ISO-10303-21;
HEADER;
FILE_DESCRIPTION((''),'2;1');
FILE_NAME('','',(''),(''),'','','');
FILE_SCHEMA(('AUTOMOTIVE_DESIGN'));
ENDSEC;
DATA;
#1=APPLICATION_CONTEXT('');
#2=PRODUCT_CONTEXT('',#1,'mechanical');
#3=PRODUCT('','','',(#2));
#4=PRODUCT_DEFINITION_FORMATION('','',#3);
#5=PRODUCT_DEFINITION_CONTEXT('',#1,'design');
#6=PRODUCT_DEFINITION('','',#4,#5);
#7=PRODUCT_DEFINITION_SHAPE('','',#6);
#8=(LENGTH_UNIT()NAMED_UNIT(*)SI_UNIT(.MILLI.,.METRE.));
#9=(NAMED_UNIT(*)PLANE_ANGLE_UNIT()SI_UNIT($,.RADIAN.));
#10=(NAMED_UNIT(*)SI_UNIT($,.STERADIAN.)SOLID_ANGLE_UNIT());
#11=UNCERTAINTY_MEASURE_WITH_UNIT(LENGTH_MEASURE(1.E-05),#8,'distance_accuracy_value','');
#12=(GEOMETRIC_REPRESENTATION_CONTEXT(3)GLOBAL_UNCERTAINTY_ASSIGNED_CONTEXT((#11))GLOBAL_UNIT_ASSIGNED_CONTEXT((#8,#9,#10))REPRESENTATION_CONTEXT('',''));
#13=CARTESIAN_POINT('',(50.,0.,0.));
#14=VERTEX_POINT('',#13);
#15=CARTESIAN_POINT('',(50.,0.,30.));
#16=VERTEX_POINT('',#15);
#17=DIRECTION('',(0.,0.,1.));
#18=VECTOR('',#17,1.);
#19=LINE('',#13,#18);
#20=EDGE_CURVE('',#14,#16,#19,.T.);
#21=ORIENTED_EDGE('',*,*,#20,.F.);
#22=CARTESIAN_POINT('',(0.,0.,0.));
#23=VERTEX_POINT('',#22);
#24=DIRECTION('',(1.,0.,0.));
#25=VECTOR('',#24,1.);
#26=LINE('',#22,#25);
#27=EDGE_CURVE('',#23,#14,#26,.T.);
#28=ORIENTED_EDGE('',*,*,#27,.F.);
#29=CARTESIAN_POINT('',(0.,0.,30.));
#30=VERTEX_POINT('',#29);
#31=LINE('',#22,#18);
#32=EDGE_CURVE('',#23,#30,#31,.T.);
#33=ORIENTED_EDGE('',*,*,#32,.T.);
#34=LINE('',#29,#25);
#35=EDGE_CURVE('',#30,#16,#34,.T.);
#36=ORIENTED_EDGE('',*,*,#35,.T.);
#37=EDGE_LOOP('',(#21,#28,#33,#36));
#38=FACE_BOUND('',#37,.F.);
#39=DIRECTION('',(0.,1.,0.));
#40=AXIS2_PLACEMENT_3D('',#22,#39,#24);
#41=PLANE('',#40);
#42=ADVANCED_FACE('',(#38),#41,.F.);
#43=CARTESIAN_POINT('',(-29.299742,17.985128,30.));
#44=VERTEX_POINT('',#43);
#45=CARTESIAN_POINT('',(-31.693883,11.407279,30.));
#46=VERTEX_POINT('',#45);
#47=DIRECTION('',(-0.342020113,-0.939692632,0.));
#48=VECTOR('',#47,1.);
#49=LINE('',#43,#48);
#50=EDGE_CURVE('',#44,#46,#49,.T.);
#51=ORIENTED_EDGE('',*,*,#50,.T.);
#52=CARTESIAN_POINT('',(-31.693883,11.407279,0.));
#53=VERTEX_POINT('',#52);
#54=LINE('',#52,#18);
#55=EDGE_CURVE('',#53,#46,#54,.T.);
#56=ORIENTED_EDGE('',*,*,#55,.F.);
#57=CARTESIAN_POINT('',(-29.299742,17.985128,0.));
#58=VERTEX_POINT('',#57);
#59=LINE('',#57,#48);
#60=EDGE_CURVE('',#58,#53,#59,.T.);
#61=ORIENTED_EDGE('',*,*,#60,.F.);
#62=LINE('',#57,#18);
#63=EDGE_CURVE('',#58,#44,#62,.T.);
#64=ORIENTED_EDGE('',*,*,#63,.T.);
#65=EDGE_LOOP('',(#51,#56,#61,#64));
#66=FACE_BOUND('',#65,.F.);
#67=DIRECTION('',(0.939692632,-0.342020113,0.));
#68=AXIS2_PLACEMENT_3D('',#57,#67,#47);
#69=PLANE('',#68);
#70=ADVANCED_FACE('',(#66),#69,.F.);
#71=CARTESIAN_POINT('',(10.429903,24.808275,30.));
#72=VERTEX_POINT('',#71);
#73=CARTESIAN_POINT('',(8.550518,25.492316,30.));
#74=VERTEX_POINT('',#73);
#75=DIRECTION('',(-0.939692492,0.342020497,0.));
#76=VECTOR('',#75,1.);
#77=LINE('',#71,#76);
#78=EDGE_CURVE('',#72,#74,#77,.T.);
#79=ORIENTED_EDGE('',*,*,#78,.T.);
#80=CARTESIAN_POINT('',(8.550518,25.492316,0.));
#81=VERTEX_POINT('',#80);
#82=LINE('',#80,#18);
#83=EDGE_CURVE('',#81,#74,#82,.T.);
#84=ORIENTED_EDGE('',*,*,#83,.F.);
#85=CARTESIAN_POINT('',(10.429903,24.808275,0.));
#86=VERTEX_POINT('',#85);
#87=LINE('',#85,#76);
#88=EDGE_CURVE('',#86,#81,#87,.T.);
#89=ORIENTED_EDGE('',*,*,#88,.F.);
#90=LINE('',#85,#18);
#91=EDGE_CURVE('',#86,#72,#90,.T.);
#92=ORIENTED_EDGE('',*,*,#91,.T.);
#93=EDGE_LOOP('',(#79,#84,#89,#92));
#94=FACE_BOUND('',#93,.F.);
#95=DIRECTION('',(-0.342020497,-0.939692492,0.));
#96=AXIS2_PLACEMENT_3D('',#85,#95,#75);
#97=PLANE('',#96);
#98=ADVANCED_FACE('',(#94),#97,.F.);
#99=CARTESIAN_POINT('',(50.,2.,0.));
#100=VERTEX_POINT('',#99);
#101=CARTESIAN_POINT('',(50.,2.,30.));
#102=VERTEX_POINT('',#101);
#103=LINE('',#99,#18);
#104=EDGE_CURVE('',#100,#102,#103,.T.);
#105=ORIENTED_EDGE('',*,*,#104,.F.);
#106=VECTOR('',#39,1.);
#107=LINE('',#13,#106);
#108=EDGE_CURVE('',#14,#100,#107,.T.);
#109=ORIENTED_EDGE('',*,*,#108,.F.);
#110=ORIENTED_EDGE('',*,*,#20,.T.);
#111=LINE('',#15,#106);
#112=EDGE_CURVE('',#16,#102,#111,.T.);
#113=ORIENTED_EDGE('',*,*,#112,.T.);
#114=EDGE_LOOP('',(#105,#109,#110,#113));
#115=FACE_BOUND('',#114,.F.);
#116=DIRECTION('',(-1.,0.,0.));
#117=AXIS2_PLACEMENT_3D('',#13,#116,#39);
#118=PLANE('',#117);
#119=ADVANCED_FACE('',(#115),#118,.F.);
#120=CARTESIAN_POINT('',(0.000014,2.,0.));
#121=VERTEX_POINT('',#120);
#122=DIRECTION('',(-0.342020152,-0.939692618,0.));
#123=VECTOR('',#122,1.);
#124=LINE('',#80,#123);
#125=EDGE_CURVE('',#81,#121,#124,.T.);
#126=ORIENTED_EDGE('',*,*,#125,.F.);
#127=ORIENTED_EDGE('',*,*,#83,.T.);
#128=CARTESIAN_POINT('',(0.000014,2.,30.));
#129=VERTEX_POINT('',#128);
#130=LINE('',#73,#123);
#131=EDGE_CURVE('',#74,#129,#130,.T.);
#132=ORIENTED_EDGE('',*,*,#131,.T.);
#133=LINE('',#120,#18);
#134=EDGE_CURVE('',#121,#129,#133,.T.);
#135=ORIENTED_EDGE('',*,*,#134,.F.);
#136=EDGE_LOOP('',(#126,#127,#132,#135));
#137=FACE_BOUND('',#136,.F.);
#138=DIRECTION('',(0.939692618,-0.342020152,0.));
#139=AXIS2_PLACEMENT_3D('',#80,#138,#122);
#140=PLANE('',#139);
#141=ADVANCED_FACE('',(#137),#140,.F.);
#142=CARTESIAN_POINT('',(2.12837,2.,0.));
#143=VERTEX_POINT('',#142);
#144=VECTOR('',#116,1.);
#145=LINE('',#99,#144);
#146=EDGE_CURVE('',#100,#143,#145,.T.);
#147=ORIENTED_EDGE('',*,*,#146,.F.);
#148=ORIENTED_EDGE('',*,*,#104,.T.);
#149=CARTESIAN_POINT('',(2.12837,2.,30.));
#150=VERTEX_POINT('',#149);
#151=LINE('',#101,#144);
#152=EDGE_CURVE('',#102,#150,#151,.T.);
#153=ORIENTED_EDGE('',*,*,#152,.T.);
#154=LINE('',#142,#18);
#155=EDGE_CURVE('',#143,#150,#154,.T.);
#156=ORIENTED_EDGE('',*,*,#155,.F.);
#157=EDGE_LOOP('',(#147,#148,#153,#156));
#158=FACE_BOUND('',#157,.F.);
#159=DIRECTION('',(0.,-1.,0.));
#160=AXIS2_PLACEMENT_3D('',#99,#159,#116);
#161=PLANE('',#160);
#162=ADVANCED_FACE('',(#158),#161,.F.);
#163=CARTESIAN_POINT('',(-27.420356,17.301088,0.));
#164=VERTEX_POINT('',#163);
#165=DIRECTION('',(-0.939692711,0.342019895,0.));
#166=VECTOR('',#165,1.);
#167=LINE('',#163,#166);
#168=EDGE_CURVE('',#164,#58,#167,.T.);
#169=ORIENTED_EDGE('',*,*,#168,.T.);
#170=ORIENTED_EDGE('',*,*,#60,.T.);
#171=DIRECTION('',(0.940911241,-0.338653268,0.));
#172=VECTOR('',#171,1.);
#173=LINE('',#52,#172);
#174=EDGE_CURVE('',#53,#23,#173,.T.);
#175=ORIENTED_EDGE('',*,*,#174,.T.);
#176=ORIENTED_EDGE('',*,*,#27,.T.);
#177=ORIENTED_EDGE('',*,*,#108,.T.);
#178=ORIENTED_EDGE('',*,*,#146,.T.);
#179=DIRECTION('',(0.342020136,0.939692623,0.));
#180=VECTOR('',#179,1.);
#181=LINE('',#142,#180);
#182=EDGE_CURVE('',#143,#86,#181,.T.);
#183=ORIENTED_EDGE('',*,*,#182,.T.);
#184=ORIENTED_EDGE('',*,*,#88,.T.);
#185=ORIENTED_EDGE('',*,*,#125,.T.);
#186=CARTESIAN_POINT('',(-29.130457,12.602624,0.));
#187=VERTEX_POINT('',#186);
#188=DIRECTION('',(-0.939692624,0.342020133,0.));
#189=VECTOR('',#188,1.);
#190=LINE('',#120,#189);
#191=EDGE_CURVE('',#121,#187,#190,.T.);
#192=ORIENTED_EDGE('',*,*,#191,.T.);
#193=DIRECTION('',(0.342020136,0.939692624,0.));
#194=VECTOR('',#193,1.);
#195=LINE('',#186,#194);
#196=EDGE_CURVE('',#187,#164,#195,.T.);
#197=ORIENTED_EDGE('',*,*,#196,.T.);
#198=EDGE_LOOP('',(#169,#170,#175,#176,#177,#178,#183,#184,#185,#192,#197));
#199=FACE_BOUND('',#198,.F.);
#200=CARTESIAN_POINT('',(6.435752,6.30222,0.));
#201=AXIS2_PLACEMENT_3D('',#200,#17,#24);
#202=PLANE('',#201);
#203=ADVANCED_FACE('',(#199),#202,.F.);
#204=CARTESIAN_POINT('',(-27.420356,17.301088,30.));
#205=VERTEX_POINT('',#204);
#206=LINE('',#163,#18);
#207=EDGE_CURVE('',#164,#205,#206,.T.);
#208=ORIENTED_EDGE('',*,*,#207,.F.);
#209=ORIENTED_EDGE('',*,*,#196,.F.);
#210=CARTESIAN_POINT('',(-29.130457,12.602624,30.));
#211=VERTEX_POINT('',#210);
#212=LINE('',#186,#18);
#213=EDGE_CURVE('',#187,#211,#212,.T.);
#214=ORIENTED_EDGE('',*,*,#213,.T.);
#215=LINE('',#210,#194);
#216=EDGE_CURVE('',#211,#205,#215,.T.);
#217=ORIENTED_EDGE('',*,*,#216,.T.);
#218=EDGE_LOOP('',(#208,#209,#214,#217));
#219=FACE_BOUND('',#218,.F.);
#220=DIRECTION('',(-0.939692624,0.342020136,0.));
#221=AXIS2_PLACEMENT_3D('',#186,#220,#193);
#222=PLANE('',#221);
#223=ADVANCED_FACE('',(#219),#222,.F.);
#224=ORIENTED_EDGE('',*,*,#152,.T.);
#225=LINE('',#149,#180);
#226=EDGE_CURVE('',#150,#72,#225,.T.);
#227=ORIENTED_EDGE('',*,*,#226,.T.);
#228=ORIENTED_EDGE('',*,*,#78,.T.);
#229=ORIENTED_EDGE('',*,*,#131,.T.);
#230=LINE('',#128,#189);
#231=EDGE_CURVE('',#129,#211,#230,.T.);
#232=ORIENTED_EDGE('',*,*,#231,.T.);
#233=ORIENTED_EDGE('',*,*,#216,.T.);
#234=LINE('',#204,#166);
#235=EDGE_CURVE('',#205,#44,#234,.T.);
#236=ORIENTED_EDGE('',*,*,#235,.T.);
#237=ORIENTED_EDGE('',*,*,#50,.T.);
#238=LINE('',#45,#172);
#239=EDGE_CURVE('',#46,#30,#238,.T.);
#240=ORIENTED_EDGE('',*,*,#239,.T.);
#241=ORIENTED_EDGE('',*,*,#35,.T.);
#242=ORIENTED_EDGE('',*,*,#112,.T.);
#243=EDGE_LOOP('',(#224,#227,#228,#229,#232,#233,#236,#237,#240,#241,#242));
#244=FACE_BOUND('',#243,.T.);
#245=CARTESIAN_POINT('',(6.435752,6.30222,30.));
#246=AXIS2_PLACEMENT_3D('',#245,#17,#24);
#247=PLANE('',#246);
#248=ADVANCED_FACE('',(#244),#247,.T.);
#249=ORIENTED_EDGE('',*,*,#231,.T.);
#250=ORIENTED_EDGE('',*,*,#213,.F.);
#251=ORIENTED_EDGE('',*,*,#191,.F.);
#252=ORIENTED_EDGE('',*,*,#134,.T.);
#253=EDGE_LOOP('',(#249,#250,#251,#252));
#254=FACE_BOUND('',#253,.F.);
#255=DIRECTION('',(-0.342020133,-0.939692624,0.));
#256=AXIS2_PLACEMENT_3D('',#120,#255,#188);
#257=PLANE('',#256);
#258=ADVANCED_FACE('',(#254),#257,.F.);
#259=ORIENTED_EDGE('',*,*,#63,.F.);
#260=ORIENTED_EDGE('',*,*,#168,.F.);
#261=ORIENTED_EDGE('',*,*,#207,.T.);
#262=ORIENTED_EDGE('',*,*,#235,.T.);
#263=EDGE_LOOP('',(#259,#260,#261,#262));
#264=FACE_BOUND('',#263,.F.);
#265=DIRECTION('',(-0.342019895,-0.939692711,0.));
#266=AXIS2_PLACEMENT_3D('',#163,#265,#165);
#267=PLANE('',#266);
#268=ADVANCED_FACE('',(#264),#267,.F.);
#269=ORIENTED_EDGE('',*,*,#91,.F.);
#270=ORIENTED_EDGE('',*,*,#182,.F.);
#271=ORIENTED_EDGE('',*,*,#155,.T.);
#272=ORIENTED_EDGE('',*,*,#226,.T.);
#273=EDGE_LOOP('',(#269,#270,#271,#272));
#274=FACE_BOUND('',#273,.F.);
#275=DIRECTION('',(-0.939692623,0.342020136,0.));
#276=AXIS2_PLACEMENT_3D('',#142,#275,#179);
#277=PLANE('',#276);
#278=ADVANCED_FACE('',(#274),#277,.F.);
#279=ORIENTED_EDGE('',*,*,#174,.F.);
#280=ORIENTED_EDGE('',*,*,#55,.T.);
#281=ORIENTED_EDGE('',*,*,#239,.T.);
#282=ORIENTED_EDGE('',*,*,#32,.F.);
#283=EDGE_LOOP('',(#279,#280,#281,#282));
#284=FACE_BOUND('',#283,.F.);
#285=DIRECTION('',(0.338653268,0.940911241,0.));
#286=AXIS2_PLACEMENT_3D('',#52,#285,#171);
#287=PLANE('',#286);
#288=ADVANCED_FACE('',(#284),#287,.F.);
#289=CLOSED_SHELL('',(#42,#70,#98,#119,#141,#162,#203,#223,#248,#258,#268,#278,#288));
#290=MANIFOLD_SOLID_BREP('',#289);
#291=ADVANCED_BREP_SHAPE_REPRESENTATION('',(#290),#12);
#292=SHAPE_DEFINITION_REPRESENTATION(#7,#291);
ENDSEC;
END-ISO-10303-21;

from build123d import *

# Parameters (mm, degrees)
PAD_DEPTH = 30


with BuildPart() as part:
    # Sketch → Pad (new body)
    with BuildSketch(Plane.XY):
        Polygon((0, 0), (50, 0), (50, 2), (2.12837, 2), (10.429903, 24.808275), (8.550518, 25.492316), (1.4e-05, 2), (-29.130457, 12.602624), (-27.420356, 17.301088), (-29.299742, 17.985128), (-31.693883, 11.407279), align=None)
    extrude(amount=PAD_DEPTH)


solid = part.part
